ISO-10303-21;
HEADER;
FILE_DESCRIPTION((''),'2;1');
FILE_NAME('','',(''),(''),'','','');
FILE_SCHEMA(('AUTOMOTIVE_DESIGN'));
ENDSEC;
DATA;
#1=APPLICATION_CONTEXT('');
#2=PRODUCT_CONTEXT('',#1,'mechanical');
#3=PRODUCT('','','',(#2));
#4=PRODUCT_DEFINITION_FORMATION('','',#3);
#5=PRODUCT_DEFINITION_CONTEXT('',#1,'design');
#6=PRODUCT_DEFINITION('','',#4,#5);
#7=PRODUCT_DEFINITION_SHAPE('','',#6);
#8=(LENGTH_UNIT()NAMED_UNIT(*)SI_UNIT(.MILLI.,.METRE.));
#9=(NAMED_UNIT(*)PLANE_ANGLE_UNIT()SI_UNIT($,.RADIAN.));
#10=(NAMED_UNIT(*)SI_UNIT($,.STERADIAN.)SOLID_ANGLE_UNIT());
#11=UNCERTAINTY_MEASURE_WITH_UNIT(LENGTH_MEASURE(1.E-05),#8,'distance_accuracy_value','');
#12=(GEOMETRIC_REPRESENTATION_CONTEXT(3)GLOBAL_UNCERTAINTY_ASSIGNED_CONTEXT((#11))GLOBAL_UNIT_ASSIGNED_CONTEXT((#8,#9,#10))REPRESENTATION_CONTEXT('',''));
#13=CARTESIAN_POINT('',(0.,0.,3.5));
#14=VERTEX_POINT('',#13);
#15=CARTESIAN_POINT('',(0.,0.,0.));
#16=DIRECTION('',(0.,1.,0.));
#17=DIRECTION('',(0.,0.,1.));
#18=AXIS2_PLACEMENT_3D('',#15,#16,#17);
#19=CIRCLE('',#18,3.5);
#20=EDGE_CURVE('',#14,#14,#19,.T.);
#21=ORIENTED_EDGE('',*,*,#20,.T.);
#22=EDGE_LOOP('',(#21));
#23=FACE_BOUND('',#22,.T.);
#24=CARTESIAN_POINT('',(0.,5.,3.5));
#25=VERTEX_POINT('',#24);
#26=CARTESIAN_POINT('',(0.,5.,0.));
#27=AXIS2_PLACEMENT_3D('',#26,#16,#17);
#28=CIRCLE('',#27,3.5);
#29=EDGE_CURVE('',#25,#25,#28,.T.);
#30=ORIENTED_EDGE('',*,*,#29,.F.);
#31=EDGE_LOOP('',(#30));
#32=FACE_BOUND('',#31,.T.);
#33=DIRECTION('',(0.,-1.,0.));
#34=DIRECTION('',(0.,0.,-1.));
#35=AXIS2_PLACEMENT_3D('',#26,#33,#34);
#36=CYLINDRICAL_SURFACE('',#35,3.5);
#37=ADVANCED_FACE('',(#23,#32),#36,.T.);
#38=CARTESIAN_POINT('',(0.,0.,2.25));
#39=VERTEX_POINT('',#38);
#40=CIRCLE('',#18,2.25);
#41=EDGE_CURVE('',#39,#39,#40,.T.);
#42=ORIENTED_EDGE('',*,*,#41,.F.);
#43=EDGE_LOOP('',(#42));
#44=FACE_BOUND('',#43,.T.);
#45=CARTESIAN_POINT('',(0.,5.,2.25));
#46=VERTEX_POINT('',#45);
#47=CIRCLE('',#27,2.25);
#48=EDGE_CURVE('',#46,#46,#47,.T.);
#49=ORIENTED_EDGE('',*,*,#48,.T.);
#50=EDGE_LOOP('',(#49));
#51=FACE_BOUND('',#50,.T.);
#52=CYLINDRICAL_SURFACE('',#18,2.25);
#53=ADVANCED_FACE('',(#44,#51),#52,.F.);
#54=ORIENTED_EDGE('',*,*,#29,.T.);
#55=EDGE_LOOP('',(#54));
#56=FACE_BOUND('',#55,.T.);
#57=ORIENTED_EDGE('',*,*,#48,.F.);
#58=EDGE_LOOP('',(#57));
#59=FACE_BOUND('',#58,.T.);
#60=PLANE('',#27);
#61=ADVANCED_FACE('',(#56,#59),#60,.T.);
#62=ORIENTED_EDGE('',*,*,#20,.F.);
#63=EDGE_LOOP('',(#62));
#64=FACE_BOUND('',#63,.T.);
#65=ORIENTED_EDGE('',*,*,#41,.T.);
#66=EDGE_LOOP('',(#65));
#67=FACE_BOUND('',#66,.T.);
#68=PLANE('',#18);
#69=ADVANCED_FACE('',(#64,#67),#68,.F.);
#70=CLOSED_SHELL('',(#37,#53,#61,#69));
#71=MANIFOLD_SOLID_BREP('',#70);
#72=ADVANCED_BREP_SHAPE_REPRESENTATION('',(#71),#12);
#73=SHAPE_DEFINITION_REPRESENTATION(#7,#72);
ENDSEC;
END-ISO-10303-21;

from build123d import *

# Parameters (mm, degrees)
SKETCH1_R           = 3.5
BOSS_EXTRUDE1_DEPTH = 5
SKETCH2_R           = 2.25
CUT_EXTRUDE1_DEPTH  = 8.03562364


with BuildPart() as part:
    # Sketch1 → Boss-Extrude1 (new body)
    with BuildSketch(Plane(origin=(0, 0, 0), x_dir=(1, 0, 0), z_dir=(0, 1, 0))):
        with Locations(Location((0, 0, 0), (0, 0, 270))):
            Circle(SKETCH1_R)
    extrude(amount=BOSS_EXTRUDE1_DEPTH)

    # Sketch2 → Cut-Extrude1 (cut, through all)
    with BuildSketch(Plane(origin=(0, 5, 0), x_dir=(1, 0, 0), z_dir=(0, 1, 0))):
        with Locations(Location((0, 0, 0), (0, 0, 270))):
            Circle(SKETCH2_R)
    extrude(amount=-CUT_EXTRUDE1_DEPTH, mode=Mode.SUBTRACT)


solid = part.part
